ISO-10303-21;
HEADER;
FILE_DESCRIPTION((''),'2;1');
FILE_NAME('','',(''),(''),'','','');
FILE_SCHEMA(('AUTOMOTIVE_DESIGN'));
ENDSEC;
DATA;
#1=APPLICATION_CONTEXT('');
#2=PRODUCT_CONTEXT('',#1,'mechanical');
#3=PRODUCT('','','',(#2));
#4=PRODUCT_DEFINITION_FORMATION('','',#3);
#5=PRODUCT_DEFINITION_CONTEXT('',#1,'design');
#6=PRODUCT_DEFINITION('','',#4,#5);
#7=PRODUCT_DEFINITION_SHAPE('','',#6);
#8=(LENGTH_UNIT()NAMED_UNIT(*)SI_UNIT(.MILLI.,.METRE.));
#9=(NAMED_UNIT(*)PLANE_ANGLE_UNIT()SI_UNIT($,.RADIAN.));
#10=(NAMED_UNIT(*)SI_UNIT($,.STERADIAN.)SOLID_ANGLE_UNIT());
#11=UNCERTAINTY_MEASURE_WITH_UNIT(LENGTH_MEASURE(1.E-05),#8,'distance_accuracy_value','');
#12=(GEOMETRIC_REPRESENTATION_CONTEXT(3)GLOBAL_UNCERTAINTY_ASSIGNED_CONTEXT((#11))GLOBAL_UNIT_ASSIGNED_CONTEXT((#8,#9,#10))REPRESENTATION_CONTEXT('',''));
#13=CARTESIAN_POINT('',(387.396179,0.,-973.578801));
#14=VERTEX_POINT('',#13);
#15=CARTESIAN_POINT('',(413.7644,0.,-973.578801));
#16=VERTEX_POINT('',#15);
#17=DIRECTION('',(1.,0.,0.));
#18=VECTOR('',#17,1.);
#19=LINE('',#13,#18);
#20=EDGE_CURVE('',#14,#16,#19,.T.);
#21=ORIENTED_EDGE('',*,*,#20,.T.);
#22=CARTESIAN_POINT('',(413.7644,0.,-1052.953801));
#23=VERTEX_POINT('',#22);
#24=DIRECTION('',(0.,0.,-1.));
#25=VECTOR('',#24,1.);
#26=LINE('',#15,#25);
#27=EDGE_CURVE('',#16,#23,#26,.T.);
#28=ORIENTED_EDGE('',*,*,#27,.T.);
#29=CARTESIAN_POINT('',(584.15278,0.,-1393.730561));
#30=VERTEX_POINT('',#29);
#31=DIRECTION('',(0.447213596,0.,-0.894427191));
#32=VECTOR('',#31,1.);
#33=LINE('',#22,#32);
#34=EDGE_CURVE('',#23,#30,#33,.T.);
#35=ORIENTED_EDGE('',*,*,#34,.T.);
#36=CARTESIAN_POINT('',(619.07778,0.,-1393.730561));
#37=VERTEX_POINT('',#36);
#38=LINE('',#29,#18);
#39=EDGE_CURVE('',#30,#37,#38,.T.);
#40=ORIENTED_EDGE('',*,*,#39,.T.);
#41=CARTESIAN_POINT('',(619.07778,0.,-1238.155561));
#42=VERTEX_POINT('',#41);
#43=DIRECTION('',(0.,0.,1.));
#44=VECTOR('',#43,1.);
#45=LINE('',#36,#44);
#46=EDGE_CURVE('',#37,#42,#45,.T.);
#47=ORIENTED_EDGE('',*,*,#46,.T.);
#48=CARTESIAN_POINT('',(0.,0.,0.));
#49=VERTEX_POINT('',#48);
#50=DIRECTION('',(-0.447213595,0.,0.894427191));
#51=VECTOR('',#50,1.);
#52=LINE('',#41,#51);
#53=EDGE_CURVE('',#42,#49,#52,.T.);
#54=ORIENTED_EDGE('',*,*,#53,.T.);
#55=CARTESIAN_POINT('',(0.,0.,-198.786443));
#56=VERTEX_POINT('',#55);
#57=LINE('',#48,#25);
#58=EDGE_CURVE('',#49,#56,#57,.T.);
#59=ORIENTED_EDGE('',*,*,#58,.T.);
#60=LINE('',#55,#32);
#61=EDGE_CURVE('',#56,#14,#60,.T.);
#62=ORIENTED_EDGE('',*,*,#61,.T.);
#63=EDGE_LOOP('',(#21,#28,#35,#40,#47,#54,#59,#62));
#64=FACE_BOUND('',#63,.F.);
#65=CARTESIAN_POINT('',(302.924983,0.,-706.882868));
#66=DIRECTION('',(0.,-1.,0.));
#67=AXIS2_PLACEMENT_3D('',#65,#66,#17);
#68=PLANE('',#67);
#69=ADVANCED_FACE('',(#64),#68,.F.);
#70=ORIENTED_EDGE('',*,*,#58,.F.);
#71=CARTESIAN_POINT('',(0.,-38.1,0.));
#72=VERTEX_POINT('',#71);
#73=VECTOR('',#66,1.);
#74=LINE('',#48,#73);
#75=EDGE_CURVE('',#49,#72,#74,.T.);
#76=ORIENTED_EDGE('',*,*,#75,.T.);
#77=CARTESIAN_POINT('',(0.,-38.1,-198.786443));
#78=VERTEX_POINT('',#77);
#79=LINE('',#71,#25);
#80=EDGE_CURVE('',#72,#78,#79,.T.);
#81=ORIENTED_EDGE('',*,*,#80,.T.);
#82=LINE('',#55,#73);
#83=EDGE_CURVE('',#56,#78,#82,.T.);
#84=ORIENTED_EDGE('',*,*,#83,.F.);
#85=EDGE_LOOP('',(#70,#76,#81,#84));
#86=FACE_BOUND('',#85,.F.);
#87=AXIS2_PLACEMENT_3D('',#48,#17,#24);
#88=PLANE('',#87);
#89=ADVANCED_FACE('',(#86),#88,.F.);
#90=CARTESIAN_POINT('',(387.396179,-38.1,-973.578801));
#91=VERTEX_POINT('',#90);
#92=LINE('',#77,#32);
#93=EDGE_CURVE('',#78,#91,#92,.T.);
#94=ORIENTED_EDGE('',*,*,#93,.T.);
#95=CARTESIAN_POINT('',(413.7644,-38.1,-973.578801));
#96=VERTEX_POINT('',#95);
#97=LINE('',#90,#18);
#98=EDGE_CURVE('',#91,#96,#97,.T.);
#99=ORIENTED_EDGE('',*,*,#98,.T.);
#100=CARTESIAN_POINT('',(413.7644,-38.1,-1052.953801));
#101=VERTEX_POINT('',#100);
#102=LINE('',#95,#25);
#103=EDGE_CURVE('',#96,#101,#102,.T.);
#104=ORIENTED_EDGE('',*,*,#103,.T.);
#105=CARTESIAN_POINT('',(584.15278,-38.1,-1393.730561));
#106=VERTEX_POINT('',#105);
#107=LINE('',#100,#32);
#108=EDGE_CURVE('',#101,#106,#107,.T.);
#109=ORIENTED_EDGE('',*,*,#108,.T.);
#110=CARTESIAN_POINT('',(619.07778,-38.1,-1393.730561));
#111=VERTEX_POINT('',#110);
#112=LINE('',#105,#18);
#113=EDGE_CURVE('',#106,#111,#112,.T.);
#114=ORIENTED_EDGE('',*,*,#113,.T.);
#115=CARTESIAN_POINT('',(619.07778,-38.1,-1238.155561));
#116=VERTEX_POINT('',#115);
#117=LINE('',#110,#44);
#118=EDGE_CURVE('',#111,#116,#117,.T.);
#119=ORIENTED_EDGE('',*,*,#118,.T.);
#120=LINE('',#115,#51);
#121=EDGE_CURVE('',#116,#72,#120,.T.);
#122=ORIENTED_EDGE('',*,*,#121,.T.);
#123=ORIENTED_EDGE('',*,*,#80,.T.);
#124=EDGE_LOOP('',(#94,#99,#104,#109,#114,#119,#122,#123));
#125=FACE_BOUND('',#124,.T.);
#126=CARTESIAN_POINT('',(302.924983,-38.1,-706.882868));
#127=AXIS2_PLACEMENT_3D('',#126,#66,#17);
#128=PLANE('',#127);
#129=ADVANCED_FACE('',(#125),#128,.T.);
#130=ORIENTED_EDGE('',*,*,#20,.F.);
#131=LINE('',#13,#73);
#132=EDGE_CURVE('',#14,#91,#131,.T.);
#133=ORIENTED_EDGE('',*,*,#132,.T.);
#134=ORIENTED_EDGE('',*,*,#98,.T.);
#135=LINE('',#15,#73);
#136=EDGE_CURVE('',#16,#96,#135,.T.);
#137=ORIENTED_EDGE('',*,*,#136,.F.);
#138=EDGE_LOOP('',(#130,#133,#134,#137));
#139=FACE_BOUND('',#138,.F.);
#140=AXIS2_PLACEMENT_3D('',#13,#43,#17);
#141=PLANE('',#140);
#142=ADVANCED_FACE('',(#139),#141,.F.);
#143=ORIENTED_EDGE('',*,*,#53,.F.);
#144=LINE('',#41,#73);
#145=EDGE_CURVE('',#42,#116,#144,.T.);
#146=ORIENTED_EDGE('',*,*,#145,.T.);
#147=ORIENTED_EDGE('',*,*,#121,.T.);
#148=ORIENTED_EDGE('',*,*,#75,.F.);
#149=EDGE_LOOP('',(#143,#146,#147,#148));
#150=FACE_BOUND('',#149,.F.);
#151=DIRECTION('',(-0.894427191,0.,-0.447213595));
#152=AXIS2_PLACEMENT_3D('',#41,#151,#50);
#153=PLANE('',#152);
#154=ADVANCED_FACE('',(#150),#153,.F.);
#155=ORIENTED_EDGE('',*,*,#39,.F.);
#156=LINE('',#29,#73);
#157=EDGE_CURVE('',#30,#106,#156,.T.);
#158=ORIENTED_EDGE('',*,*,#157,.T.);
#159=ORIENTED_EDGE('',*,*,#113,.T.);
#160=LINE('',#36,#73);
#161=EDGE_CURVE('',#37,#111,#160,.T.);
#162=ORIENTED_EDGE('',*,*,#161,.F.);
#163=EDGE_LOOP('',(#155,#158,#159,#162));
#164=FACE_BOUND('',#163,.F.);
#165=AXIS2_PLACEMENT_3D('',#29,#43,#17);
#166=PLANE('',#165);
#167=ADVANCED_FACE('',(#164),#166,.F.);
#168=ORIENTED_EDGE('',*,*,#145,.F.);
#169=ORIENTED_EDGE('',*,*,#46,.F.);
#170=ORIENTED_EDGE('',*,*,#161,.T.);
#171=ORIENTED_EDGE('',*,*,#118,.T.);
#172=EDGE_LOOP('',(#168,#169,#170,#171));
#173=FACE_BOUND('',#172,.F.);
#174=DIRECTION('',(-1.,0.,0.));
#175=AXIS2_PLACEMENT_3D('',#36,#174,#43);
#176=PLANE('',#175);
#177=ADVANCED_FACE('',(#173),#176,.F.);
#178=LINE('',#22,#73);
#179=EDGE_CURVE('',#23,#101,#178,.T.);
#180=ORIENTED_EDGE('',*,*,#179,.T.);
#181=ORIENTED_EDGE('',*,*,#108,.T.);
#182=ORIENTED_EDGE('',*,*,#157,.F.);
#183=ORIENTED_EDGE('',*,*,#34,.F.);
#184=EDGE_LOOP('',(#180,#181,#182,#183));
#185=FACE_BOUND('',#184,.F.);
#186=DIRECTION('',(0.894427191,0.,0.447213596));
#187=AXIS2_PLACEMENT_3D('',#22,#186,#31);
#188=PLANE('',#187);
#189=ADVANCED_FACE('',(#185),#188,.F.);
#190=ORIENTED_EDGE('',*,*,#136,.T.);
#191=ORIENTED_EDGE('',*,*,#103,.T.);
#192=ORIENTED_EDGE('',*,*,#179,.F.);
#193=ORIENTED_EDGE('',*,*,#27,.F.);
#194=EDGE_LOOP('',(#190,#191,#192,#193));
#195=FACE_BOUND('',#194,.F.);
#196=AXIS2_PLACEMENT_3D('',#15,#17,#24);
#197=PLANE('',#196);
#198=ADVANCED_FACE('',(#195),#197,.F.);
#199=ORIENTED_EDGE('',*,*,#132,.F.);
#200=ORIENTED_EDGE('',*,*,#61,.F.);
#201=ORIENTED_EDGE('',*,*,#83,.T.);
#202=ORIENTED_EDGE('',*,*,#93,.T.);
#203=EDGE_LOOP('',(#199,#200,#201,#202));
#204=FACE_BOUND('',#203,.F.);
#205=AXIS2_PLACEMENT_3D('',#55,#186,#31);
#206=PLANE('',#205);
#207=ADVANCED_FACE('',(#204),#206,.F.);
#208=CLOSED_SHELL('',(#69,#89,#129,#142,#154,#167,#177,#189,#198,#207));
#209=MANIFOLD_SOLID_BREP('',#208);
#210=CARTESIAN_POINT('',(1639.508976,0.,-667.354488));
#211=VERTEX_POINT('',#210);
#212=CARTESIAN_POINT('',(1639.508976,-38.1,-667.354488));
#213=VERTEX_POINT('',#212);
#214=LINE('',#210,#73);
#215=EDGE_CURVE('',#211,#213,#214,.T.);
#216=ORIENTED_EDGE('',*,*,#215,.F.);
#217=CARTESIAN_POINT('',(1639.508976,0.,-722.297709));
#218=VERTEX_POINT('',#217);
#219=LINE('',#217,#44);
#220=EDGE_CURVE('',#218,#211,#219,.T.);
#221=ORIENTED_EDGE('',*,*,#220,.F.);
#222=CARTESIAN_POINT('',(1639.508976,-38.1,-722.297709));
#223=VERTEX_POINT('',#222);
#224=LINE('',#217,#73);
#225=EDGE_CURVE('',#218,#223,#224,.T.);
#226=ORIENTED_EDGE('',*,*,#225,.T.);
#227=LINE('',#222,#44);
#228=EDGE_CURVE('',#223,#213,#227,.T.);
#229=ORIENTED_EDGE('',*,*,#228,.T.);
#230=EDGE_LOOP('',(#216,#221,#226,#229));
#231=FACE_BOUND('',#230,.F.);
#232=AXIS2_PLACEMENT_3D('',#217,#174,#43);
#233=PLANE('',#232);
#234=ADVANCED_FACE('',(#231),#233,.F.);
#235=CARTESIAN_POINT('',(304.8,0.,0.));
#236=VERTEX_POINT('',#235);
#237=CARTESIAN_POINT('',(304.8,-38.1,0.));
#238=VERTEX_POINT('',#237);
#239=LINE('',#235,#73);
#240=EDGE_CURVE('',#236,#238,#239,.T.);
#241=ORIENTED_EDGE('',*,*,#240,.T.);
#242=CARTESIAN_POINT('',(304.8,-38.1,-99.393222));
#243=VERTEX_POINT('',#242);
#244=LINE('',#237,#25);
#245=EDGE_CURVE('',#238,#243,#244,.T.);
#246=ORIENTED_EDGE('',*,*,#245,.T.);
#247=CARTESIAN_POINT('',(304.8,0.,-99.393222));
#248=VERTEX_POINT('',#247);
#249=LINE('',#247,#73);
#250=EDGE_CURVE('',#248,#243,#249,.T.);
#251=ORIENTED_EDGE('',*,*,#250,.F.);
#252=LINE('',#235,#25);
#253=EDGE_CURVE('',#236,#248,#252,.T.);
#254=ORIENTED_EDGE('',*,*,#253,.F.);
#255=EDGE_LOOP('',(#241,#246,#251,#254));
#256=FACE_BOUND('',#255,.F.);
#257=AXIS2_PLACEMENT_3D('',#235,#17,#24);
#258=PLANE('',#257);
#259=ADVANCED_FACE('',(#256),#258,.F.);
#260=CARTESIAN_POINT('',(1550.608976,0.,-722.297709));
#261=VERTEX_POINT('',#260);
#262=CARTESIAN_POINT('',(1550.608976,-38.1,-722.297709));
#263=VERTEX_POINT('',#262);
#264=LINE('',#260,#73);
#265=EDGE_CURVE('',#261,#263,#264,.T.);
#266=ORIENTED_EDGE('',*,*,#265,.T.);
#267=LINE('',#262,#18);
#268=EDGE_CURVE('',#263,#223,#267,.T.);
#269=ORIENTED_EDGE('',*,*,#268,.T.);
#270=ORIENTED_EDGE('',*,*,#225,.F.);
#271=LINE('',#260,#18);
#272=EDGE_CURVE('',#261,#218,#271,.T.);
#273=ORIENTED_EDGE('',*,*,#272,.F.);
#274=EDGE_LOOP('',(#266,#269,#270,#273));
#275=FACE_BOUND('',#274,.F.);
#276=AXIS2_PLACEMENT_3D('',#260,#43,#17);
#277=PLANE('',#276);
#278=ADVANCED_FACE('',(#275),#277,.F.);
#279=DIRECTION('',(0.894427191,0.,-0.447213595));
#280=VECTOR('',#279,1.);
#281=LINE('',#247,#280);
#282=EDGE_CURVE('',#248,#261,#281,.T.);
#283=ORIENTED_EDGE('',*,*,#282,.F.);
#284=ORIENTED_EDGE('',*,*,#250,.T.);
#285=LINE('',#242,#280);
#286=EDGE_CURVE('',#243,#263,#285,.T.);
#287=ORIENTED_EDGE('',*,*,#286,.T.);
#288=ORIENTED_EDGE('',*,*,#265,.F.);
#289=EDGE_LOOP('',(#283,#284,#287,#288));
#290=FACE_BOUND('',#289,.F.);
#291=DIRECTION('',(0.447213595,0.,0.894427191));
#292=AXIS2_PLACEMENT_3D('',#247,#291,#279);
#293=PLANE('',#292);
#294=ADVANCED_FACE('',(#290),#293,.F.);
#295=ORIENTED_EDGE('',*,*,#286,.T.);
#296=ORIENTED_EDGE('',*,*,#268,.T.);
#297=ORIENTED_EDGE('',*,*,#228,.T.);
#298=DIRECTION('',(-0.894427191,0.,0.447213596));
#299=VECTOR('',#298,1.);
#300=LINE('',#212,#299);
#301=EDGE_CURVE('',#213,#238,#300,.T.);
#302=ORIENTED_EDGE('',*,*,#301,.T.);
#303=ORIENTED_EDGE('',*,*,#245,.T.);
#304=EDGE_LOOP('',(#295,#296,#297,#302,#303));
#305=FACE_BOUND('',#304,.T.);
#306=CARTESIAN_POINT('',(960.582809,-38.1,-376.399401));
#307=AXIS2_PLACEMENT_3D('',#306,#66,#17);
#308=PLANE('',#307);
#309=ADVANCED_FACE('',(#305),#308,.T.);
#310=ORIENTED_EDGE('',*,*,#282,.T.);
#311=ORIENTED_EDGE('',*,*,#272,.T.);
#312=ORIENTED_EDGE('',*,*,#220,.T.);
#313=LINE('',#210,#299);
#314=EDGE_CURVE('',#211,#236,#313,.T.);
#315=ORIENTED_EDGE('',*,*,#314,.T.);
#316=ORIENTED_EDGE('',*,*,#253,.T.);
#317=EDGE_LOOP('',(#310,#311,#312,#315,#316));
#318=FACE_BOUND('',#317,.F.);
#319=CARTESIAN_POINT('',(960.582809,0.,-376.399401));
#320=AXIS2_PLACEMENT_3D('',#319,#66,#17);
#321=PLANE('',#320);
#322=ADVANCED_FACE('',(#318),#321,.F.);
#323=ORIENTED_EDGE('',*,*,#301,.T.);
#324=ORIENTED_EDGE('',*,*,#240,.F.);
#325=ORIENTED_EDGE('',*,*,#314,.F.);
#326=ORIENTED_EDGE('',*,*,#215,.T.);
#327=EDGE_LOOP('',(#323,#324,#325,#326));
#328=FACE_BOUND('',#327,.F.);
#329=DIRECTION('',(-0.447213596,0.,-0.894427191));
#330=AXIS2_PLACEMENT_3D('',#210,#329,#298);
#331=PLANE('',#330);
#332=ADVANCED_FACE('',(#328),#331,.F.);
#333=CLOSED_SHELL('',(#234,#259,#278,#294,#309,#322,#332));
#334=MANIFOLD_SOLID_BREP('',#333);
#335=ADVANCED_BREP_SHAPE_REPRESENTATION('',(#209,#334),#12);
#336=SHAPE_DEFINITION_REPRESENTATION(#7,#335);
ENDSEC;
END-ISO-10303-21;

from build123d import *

# Parameters (mm, degrees)
F1_DEPTH = 38.1
F2_DEPTH = 38.1


with BuildPart() as f1:
    # F0 (on Front) → F1 (new body)
    with BuildSketch(Plane.XZ):
        Polygon((619.07778, -1238.155561), (0, 0), (0, -198.786443), (387.396179, -973.578801), (413.7644, -973.578801), (413.7644, -1052.953801), (584.15278, -1393.730561), (619.07778, -1393.730561), align=None)
    extrude(amount=F1_DEPTH)


with BuildPart() as f2:
    # F0 (on Front) → F2 (new body)
    with BuildSketch(Plane.XZ):
        Polygon((1639.508976, -667.354488), (304.8, 0), (304.8, -99.393222), (1550.608976, -722.297709), (1639.508976, -722.297709), align=None)
    extrude(amount=F2_DEPTH)


solid = Compound([f1.part, f2.part])
